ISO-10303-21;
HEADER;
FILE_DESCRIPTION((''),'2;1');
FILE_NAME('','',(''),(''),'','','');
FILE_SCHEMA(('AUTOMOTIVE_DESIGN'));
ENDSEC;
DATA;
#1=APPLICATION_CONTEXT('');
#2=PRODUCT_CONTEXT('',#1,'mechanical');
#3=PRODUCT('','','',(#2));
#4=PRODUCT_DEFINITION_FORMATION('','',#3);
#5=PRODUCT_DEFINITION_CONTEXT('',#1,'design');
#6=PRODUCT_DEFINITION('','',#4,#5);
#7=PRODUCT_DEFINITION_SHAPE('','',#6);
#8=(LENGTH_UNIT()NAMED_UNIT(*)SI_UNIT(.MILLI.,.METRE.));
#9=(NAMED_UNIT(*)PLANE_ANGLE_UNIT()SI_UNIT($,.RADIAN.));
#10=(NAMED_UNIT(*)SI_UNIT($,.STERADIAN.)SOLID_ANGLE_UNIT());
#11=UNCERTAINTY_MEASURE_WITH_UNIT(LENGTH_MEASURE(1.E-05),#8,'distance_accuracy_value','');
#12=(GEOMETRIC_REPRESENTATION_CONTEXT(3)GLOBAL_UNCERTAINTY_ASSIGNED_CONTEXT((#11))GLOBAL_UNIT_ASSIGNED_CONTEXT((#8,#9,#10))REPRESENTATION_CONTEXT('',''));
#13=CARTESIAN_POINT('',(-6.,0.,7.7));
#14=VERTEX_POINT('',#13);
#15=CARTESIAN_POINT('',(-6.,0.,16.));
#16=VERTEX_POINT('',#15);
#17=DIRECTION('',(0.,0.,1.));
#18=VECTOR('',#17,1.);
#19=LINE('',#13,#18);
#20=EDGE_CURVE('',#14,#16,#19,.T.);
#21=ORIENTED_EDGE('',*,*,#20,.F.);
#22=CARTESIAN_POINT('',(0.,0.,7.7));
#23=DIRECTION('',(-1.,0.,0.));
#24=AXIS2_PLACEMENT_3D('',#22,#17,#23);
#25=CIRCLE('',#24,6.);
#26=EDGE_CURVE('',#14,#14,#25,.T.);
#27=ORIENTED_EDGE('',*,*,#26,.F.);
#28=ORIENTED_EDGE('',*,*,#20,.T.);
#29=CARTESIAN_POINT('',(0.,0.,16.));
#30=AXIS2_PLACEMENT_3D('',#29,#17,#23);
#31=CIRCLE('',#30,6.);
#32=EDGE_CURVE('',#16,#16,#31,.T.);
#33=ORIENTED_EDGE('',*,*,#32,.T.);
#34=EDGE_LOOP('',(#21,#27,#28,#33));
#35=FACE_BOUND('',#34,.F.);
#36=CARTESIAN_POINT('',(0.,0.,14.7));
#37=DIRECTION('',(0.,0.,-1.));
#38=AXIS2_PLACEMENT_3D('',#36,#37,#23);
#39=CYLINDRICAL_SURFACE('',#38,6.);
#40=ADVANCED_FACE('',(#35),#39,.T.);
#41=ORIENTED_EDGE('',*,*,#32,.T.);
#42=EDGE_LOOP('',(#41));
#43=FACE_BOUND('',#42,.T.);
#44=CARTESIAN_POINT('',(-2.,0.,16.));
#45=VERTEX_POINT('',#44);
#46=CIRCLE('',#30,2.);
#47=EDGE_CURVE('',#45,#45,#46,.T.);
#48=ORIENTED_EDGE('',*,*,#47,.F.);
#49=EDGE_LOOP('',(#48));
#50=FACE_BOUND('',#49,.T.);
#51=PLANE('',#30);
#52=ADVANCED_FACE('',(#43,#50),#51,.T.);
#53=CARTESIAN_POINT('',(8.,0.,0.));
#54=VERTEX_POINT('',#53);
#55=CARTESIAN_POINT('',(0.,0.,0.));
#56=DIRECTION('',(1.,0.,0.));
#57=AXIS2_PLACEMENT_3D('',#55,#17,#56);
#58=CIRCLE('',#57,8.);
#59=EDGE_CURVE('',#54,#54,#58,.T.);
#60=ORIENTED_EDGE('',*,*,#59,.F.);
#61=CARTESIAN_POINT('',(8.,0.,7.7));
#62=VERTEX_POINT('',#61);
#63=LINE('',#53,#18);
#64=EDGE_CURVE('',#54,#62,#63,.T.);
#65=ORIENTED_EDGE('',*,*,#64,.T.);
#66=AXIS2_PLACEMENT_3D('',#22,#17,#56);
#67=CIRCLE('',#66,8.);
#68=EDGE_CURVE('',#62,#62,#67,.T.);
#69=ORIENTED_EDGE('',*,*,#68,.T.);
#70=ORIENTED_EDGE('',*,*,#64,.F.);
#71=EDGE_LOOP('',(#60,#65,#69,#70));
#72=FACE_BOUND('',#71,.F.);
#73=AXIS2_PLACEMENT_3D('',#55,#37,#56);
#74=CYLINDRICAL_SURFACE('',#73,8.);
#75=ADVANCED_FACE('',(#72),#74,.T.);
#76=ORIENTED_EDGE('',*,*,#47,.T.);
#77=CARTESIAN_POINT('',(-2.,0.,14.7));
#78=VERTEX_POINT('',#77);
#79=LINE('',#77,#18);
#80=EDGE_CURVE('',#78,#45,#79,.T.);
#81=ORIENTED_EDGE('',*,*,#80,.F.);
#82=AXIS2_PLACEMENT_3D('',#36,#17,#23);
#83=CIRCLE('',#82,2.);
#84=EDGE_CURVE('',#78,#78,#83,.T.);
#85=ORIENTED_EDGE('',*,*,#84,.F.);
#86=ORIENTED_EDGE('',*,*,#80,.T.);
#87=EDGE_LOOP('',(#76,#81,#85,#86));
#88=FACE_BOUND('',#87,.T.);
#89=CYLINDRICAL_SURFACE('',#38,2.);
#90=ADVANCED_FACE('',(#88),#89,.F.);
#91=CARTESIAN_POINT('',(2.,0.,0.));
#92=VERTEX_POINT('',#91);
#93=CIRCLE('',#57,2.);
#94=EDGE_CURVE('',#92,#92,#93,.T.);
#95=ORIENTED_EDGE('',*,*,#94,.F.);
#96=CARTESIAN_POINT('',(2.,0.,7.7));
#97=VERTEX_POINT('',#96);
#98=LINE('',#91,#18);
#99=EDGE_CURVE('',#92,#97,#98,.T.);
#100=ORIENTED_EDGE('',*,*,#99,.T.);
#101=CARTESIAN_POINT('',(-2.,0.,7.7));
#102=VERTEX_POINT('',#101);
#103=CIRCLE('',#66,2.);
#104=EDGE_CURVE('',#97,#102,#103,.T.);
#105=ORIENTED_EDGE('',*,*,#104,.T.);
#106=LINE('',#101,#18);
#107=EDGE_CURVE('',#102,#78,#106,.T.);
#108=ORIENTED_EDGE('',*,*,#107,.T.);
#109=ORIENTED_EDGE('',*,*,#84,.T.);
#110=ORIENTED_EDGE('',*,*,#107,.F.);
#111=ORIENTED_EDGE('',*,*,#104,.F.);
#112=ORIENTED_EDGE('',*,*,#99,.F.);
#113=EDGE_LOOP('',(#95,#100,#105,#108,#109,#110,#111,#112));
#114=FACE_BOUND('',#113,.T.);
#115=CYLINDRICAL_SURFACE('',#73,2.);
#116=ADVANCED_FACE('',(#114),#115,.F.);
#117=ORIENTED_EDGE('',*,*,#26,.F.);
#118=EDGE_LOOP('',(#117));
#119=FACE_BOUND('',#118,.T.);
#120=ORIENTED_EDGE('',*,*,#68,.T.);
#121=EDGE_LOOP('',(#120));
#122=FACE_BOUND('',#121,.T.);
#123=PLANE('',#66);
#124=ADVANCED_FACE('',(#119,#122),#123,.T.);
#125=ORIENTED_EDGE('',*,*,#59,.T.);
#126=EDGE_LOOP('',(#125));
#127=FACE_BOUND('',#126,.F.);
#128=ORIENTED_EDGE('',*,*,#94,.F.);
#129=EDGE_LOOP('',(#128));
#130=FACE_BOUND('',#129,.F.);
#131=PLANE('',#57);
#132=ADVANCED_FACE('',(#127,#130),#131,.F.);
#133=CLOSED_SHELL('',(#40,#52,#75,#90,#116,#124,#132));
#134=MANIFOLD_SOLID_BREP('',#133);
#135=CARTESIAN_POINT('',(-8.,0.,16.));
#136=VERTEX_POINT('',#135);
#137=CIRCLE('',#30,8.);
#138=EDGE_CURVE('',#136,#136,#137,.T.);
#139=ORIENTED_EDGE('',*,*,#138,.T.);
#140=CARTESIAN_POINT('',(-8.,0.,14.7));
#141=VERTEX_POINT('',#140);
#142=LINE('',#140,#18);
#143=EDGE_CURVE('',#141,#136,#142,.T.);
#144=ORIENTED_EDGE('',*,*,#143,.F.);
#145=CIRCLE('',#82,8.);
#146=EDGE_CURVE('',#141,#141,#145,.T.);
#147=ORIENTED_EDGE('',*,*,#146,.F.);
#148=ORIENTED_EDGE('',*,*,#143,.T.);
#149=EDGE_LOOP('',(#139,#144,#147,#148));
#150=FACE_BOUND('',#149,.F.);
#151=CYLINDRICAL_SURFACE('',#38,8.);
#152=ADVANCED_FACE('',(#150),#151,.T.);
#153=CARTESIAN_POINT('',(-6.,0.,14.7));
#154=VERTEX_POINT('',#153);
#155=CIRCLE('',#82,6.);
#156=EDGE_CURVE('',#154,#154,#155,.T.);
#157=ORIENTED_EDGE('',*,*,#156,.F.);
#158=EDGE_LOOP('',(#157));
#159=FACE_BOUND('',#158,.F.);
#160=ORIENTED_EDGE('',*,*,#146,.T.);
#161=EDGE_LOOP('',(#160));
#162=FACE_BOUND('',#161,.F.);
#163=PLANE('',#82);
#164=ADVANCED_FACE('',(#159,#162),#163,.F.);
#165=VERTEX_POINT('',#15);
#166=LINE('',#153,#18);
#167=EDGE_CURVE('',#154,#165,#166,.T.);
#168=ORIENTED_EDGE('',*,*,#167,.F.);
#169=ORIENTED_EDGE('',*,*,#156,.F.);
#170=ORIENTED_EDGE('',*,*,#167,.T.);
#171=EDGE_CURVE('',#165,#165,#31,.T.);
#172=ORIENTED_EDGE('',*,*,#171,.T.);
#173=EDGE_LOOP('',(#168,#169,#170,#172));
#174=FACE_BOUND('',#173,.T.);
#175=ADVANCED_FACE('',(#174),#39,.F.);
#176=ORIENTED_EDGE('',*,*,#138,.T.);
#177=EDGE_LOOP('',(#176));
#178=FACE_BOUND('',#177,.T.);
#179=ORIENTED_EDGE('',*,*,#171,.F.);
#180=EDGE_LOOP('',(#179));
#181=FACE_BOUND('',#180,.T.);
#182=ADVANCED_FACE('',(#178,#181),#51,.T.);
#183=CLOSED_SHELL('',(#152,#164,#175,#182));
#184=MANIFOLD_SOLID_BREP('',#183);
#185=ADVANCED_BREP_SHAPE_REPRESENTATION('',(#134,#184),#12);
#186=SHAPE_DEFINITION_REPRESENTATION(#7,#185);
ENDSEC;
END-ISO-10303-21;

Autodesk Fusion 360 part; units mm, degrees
sketch "Skizze1" plane through (0, 0, 0) normal (0, 0, 1) x (1, 0, 0)
  circle A0 centre (0, 0) radius 8
  circle A1 centre (0, 0) radius 2
  dimension "d1" = 16
  dimension "d2" = 4
extrude "Extrusion1" add sketch "Skizze1" along normal blind 7.7 makes body 1
sketch "Skizze2" plane through (0, 0, 7.7) normal (0, 0, 1) x (-1, 0, 0)
  circle A0 centre (0, 0) radius 2
  circle A1 centre (0, 0) radius 8
  circle A2 centre (0, 0) radius 2
  circle A3 centre (0, 0) radius 6
  dimension "d5" = 4
  dimension "d6" = 12
extrude "Extrusion2" add sketch "Skizze2" along normal blind 7 contours A3 bodies 1
sketch "Skizze3" plane through (0, 0, 14.7) normal (0, 0, 1) x (-1, 0, 0)
  circle A0 centre (0, 0) radius 2
  circle A1 centre (0, 0) radius 6
  circle A2 centre (0, 0) radius 2
  circle A3 centre (0, 0) radius 8
  dimension "d9" = 4
  dimension "d10" = 16
extrude "Extrusion4" add sketch "Skizze3" along normal blind 1.3 separate body contours A3 makes body 2
extrude "Extrusion3" add sketch "Skizze3" along normal blind 1.3 contours A1 bodies 1
